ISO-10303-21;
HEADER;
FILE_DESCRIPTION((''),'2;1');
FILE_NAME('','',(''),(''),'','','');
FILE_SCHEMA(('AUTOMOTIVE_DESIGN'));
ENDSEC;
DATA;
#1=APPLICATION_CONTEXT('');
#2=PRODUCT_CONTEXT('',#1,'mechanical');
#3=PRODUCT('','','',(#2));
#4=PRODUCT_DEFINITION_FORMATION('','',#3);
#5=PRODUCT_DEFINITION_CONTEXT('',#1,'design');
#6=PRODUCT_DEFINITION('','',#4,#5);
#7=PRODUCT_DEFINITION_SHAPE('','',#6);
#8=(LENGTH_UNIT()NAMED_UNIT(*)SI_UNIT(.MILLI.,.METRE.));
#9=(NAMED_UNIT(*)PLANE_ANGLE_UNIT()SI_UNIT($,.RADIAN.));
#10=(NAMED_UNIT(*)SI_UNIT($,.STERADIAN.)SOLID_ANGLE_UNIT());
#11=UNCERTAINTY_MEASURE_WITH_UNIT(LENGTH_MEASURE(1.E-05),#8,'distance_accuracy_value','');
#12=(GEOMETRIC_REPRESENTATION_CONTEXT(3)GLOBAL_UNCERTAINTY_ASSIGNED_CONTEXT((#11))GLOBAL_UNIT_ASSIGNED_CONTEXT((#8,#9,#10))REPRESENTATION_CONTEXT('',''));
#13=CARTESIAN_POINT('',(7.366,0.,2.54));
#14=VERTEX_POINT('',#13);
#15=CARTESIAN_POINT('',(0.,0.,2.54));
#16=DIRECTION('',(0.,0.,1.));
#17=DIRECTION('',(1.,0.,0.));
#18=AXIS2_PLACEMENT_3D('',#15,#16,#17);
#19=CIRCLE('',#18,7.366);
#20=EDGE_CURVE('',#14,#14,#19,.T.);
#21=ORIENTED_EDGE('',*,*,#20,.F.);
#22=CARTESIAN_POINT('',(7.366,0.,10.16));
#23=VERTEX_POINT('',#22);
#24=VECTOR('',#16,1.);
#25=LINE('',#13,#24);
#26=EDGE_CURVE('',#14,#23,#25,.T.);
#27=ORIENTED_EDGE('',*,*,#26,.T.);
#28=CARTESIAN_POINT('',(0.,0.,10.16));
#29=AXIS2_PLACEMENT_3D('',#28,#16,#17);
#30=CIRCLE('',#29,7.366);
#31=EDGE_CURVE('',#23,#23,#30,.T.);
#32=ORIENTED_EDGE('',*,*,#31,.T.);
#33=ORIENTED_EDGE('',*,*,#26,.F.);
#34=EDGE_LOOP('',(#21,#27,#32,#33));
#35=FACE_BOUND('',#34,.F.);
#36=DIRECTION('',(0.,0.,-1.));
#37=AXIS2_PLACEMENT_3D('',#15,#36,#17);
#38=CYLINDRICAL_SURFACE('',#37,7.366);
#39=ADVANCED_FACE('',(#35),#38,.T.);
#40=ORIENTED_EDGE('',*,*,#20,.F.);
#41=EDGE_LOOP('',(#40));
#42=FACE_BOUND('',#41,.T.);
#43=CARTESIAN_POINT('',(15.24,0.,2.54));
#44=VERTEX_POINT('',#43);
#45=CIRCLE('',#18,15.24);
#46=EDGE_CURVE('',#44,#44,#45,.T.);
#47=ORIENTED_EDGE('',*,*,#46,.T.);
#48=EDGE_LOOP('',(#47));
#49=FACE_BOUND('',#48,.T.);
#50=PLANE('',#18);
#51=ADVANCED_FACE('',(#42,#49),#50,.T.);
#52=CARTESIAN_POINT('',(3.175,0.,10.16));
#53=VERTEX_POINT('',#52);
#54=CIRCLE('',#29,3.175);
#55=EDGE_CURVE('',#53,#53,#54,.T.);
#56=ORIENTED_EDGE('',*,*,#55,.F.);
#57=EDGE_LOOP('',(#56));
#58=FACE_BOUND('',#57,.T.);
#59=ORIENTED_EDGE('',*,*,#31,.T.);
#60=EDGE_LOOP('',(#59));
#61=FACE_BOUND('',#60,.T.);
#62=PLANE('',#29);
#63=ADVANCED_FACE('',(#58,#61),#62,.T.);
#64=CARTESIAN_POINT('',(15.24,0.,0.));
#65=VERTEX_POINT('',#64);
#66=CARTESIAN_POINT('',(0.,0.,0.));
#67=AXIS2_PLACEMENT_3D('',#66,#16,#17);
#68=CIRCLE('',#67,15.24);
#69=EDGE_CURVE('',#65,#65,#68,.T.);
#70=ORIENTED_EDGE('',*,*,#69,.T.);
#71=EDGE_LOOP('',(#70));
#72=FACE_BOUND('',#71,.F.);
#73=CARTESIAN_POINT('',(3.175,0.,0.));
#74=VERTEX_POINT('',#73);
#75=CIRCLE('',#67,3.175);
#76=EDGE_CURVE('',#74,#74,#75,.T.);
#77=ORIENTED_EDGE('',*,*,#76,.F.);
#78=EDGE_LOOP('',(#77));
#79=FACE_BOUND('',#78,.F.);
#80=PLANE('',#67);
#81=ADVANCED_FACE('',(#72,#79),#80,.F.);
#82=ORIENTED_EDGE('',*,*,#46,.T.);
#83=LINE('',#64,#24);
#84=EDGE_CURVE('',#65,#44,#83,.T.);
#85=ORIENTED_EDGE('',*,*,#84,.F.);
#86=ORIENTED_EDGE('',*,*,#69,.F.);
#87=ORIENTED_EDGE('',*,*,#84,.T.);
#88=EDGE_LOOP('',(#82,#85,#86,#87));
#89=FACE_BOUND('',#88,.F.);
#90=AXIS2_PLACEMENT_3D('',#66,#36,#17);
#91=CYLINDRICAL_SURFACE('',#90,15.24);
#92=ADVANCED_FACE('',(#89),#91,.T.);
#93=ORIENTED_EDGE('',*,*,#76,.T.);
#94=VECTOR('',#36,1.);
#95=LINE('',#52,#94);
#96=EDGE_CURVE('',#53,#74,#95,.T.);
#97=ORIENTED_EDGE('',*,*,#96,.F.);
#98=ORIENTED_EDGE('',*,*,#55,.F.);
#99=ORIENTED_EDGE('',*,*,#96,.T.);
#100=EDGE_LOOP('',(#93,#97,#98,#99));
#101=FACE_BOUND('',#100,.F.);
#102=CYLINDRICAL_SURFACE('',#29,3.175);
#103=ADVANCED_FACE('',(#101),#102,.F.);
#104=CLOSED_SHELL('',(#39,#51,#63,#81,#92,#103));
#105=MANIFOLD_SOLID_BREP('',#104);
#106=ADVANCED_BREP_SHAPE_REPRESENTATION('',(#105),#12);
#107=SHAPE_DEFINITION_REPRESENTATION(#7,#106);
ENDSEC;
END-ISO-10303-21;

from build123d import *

# Parameters (mm, degrees)
F0_R     = 15.24
F0_R_2   = 7.366
F1_DEPTH = 2.54
F2_R     = 7.366
F3_DEPTH = 7.62
F4_R     = 3.175
F5_DEPTH = 25.4


with BuildPart() as f1:
    # F0 (on Top) → F1 (new body)
    with BuildSketch(Plane.XY):
        Circle(F0_R)
        Circle(F0_R_2, mode=Mode.SUBTRACT)
        Circle(F0_R_2)
    extrude(amount=F1_DEPTH)

    # F2 (on face) → F3 (join)
    with BuildSketch(Plane.XY.offset(2.54)):
        Circle(F2_R)
    extrude(amount=F3_DEPTH)

    # F4 (on face) → F5 (cut)
    with BuildSketch(Plane.XY.offset(10.16)):
        Circle(F4_R)
    extrude(amount=-F5_DEPTH, mode=Mode.SUBTRACT)


solid = f1.part
